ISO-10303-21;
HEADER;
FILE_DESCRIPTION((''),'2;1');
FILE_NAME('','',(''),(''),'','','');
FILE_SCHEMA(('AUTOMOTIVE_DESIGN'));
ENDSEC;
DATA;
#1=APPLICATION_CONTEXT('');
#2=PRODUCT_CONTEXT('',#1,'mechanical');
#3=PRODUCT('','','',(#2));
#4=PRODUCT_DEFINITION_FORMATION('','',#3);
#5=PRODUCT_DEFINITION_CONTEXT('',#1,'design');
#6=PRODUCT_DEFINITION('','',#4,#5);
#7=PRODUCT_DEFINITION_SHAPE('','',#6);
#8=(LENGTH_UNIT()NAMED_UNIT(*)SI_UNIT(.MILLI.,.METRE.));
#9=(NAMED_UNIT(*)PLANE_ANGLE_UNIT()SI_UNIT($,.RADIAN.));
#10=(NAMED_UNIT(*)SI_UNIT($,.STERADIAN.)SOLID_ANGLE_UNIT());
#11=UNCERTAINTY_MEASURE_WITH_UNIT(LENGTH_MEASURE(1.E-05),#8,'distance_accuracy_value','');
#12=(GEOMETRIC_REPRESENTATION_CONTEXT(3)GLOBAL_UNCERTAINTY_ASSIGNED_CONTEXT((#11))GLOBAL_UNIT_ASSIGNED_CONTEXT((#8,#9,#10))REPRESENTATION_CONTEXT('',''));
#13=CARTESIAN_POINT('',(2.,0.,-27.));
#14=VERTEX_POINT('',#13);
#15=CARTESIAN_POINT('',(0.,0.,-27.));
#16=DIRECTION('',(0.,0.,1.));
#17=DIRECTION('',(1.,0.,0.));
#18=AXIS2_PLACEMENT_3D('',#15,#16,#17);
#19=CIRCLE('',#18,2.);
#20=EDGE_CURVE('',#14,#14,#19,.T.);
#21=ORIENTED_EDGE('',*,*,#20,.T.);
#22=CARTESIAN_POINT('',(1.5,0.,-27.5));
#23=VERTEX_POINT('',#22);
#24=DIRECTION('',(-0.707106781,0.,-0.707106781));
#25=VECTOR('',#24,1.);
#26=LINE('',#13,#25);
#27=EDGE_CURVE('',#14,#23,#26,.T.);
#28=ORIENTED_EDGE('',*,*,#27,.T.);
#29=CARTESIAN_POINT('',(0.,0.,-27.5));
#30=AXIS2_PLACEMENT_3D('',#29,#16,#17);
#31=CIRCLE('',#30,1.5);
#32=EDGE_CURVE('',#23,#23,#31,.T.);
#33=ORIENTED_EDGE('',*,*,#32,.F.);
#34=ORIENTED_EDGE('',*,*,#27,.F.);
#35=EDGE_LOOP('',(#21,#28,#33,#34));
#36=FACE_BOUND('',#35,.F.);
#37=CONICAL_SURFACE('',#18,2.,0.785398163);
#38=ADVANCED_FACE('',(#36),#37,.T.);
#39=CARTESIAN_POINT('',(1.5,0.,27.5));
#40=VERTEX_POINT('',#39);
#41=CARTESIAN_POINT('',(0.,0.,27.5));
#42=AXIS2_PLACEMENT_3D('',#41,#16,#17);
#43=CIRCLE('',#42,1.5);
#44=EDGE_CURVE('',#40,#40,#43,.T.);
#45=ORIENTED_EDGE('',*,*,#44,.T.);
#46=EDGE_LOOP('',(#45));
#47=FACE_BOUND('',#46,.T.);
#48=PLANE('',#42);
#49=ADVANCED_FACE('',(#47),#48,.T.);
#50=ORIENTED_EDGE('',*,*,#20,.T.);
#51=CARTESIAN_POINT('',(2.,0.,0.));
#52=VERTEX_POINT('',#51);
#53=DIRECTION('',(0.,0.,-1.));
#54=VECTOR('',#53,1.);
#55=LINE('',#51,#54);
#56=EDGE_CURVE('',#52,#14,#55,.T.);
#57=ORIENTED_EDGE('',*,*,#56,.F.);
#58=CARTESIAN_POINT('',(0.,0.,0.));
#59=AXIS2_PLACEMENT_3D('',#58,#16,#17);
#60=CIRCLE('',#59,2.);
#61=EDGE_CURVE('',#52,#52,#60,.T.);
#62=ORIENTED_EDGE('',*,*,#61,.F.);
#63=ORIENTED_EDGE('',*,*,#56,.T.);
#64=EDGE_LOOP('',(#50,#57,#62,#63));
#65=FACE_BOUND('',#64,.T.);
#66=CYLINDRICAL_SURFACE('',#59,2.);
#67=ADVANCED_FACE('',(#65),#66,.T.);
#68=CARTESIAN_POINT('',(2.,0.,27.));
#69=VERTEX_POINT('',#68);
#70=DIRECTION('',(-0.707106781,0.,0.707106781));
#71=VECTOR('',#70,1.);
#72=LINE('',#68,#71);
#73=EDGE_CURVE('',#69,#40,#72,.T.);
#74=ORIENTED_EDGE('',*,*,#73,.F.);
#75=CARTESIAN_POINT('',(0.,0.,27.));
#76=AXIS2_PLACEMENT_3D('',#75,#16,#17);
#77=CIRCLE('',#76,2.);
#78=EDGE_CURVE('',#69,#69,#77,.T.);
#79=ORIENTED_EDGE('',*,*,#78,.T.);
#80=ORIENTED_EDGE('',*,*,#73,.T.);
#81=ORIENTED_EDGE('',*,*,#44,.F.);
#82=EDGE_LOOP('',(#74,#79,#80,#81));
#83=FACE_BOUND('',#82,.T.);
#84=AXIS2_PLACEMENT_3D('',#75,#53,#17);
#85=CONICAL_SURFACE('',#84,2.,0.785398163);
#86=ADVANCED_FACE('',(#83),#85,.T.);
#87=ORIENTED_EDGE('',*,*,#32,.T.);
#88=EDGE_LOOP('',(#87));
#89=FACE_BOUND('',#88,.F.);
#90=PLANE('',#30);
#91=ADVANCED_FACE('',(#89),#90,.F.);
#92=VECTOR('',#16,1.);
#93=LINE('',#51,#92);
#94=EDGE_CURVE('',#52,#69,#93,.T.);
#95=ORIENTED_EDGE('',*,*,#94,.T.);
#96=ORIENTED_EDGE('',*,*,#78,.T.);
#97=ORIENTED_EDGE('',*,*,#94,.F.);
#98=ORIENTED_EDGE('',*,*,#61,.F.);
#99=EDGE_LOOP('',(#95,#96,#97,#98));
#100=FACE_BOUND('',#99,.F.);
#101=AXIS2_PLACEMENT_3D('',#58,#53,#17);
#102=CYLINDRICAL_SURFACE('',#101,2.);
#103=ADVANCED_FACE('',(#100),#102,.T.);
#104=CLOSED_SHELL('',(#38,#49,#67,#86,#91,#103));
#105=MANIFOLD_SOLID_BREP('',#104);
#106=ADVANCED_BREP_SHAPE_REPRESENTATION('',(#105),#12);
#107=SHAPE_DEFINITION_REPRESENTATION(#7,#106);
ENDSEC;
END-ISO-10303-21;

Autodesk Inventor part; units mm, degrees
ref_plane "YZ Plane" through (0, 0, 0) normal (1, 0, 0) x (0, 1, 0)
ref_plane "XZ Plane" through (0, 0, 0) normal (0, 1, 0) x (-1, 0, 0)
ref_plane "XY Plane" through (0, 0, 0) normal (0, 0, 1) x (1, 0, 0)
sketch "Skizze_Grundkörper" plane through (0, 0, 0) normal (0, 0, 1) x (1, 0, 0)
  circle A0 centre (0, 0) radius 2
  dimension "d0" = 4
extrude "Grudnkörper" add sketch "Skizze_Grundkörper" along normal mid plane 55
chamfer "Fase_0,5_mm" distance 0.5 angle 45 2 edges at (-2, 0, 27.5) (-2, 0, -27.5)
properties part number "Arretierstift" material "Stahl, Legierung"
